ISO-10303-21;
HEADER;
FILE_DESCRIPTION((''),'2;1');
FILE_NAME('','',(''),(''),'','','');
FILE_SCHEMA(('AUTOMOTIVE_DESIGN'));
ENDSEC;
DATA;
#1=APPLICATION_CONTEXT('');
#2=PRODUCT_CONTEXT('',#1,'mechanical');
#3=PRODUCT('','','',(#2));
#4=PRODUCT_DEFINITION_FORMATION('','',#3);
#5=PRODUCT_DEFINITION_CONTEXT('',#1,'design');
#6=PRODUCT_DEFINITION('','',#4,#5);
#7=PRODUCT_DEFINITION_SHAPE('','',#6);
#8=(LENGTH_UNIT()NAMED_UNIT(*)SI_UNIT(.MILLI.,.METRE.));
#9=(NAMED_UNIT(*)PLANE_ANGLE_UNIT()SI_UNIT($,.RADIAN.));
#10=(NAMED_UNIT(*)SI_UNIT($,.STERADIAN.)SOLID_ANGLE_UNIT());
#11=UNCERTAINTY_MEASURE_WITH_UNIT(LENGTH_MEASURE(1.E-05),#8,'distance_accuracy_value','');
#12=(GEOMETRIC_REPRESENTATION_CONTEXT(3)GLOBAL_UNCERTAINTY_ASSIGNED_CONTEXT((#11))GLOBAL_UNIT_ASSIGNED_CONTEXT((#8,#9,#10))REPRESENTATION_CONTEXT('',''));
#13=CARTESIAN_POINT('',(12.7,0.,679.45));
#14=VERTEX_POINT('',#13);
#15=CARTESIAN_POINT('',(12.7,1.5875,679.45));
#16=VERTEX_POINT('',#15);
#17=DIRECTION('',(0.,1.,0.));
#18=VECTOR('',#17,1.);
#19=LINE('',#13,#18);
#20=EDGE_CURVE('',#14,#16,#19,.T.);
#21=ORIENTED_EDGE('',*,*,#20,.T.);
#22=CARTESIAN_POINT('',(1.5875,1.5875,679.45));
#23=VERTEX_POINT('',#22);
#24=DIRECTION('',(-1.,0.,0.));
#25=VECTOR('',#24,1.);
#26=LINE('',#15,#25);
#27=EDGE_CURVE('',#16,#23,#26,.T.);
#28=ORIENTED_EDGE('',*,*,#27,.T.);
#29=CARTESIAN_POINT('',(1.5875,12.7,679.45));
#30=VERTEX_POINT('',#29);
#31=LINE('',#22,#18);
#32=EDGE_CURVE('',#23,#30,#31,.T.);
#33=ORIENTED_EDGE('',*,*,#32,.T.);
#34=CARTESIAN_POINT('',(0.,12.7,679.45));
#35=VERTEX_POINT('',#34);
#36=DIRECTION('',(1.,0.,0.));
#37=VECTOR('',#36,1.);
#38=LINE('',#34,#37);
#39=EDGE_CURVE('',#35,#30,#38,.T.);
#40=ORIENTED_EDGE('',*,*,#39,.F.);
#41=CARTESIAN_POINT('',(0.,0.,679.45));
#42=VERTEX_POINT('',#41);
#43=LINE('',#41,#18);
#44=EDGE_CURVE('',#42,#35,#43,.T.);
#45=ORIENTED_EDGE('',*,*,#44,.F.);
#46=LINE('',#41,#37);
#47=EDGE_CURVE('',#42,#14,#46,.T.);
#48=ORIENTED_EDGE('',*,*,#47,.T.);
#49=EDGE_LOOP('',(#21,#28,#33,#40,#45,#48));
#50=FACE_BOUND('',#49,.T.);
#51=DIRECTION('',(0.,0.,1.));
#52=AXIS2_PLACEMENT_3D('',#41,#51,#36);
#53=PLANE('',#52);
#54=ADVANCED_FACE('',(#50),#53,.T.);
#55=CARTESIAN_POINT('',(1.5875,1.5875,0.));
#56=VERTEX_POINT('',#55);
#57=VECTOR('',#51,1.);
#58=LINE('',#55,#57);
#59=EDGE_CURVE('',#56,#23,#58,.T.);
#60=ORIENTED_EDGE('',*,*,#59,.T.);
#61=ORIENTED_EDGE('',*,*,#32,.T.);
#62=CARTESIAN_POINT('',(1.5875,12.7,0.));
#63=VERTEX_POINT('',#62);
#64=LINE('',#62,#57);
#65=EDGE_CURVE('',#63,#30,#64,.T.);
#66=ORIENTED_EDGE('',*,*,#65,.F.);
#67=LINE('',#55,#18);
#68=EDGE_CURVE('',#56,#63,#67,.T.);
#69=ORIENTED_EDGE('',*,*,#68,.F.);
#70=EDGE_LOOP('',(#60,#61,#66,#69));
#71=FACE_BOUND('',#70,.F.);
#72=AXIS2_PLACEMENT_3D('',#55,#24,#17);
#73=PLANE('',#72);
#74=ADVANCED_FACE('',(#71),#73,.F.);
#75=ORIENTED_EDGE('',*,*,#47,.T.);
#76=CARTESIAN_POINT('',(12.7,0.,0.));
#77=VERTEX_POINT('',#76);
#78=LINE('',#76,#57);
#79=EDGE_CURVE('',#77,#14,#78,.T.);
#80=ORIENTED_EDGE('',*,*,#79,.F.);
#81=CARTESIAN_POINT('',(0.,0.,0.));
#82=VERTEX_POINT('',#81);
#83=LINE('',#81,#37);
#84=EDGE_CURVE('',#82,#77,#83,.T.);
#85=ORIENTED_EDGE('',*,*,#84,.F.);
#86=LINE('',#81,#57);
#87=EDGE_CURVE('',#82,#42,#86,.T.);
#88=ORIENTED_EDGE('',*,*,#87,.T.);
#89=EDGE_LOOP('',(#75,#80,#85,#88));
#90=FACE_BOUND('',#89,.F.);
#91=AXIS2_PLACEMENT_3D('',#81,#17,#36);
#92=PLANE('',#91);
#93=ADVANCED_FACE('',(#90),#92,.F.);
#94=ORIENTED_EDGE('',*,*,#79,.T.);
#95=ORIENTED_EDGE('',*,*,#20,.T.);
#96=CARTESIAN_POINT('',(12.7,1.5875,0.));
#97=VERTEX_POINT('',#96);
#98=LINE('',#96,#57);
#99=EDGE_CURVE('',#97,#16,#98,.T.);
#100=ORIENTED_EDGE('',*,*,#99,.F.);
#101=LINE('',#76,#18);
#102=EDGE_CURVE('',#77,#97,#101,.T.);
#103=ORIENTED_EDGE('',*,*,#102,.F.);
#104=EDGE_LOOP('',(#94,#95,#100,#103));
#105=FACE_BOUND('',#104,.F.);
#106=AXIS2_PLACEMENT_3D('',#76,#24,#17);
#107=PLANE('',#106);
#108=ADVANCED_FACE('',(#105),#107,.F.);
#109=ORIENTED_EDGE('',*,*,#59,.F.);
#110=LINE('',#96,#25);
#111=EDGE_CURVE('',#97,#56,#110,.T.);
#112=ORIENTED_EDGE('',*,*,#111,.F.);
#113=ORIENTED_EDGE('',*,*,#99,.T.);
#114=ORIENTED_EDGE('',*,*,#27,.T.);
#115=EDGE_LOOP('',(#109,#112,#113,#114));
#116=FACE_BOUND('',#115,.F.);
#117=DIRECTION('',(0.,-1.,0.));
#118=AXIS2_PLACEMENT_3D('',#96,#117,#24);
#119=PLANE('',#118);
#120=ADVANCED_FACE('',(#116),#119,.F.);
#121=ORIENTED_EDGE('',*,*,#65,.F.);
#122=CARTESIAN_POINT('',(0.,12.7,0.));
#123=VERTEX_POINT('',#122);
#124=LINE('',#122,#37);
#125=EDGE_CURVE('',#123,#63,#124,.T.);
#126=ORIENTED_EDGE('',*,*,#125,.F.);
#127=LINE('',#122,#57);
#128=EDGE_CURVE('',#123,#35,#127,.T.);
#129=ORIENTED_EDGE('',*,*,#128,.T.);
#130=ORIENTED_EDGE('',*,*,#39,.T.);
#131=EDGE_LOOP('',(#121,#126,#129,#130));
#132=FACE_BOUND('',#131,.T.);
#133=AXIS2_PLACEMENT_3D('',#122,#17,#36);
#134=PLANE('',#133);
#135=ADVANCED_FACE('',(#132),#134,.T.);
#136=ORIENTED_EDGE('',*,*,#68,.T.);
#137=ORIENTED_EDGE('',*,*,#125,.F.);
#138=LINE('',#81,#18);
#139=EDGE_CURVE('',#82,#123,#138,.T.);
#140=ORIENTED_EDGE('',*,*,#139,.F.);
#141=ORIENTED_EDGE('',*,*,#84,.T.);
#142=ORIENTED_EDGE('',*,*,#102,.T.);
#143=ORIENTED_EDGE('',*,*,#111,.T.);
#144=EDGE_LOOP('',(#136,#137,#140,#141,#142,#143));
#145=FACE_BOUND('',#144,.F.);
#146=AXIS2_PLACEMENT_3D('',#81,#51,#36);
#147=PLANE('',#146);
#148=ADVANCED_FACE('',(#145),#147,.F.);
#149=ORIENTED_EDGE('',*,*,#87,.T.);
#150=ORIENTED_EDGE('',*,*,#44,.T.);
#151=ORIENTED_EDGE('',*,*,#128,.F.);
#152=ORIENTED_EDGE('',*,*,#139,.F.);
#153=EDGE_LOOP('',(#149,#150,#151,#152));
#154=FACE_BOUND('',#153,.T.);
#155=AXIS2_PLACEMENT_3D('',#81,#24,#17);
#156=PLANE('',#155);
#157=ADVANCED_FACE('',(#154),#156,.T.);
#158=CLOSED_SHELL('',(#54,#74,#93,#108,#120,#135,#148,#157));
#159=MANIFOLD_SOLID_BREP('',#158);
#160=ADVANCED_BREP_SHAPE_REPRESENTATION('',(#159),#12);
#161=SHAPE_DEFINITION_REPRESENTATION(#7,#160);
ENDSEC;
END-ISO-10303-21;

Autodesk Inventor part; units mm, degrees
ref_plane "YZ Plane" through (0, 0, 0) normal (1, 0, 0) x (0, 1, 0)
ref_plane "XZ Plane" through (0, 0, 0) normal (0, 1, 0) x (-1, 0, 0)
ref_plane "XY Plane" through (0, 0, 0) normal (0, 0, 1) x (1, 0, 0)
sketch "Sketch1" plane through (0, 0, 0) normal (0, 0, 1) x (1, 0, 0)
  line L0 (0, 0) -> (0, 12.7)
  line L1 (0, 12.7) -> (1.5875, 12.7)
  line L2 (0, 0) -> (12.7, 0)
  line L3 (12.7, 0) -> (12.7, 1.5875)
  line L4 (12.7, 1.5875) -> (1.5875, 1.5875)
  line L5 (1.5875, 1.5875) -> (1.5875, 12.7)
  dimension "d0" = 12.7
  dimension "d1" = 1.5875
  dimension "d2" = 12.7
  dimension "d3" = 1.5875
extrude "Extrusion1" add sketch "Sketch1" along normal blind 679.45
properties part number "Bumper Metal Edge Part1 (26x28 robot)" material "Aluminum 6061"
